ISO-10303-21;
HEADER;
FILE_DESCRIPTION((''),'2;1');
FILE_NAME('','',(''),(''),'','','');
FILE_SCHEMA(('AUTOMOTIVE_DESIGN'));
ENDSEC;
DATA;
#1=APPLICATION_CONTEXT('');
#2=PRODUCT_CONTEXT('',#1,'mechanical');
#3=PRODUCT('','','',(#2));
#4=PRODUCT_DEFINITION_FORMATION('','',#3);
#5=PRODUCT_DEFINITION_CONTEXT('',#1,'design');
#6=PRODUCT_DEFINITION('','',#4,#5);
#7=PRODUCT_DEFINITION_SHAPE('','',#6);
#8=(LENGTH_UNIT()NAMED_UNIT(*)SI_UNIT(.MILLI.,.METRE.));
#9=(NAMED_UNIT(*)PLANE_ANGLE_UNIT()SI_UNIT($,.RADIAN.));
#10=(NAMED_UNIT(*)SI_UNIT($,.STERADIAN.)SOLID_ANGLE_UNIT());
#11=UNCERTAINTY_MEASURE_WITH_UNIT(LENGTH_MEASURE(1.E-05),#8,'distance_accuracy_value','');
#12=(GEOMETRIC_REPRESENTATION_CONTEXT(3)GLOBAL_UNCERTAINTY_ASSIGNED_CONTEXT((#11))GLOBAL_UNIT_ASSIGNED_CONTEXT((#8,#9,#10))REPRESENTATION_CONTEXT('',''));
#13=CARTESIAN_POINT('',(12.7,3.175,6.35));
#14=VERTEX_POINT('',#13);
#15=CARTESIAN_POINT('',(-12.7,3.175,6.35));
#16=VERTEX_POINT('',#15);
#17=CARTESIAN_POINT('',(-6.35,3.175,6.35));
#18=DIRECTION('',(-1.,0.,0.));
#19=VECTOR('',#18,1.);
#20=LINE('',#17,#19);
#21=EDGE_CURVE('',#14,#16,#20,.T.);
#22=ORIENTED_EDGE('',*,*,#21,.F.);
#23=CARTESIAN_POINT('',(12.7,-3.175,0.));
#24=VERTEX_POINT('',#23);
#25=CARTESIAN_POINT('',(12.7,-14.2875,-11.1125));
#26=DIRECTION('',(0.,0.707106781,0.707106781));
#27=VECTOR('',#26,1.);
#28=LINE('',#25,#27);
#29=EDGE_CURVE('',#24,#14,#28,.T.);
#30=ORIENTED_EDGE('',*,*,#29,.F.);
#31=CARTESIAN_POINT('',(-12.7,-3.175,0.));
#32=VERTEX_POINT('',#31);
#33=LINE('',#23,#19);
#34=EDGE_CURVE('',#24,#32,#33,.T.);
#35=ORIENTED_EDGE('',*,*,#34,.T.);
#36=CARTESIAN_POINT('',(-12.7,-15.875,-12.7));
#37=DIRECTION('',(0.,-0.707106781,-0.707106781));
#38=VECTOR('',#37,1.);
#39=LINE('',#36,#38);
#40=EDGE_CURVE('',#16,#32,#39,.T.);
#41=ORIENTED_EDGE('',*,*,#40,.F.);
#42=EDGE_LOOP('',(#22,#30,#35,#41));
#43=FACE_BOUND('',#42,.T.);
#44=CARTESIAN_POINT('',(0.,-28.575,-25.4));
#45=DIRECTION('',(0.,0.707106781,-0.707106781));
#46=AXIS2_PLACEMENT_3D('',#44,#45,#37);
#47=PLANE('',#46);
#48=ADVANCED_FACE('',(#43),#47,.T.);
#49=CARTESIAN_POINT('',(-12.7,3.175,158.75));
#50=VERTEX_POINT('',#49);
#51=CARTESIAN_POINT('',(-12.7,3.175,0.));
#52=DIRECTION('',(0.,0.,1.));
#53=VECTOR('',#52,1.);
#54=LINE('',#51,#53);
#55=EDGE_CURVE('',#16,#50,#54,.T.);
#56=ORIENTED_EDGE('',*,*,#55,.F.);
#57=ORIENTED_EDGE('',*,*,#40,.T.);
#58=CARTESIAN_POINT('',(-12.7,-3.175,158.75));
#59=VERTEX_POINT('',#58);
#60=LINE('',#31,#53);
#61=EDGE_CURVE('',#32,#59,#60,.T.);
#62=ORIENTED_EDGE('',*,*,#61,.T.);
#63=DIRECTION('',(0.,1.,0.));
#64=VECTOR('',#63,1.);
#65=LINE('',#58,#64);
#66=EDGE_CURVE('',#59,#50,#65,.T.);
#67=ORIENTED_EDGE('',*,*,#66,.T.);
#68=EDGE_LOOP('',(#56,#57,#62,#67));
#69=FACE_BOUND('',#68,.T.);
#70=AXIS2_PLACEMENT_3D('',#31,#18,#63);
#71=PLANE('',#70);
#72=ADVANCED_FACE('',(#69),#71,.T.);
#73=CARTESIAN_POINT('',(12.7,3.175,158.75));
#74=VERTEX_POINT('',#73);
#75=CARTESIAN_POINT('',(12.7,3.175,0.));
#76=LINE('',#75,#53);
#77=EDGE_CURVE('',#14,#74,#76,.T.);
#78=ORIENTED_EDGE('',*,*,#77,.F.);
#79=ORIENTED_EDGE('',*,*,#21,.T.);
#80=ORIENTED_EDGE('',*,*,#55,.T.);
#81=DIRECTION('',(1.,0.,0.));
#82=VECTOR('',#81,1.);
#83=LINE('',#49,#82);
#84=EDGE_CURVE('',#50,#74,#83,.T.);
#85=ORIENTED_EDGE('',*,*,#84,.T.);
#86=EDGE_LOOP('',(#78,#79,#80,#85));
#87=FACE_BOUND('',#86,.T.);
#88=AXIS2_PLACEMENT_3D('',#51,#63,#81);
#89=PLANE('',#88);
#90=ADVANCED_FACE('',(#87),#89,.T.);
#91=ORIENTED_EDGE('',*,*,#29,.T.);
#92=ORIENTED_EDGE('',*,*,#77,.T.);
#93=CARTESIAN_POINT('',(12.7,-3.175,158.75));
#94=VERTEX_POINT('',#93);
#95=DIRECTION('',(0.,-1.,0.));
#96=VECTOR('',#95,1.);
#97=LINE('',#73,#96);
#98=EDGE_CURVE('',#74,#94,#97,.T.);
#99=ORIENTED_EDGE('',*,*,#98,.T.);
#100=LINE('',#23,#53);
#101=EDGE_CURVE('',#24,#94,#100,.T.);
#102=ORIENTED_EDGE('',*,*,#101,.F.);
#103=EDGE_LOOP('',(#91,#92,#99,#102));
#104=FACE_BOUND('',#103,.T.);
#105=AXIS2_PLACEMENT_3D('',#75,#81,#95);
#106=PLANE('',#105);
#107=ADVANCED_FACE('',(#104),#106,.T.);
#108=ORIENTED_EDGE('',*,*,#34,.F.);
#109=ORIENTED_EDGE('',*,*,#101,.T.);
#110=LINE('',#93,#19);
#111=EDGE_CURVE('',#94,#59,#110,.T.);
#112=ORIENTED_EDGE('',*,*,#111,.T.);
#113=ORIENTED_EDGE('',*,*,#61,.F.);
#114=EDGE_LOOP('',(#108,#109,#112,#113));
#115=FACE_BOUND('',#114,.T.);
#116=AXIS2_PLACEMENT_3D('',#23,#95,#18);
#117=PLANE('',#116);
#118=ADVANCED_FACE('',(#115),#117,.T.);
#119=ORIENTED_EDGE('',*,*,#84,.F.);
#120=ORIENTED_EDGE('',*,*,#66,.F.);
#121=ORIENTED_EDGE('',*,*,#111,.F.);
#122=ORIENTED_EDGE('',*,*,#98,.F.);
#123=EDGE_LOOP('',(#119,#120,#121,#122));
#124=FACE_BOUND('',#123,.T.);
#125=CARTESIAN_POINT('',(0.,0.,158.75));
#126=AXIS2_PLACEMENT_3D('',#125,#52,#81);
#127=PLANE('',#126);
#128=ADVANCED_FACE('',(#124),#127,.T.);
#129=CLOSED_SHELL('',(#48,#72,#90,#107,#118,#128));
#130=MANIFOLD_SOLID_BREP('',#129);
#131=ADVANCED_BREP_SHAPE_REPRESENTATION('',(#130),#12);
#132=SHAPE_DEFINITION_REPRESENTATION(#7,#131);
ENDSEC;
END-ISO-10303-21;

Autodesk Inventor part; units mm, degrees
ref_plane "Start plane" through (0, 0, 0) normal (0, 0, 1) x (1, 0, 0)
ref_plane "End plane" through (0, 0, 158.75) normal (0, 0, 1) x (1, 0, 0)
sketch "Sketch" plane through (0, 0, 0) normal (0, 0, 1) x (1, 0, 0)
  line L0 (12.7, -3.175) -> (-12.7, -3.175)
  line L1 (-12.7, -3.175) -> (-12.7, 3.175)
  line L2 (-12.7, 3.175) -> (12.7, 3.175)
  line L3 (12.7, 3.175) -> (12.7, -3.175)
  line L4 (-6, 0) -> (8, 0) construction
  line L5 (0, -30) -> (0, 40) construction
  line L6 (0, 54) -> (0, -44) construction
  line L7 (-17.78, 0) -> (17.78, 0) construction
  dimension "d0" = 6.35
  dimension "d1" = 25.4
  dimension "d4" = 12.7
  dimension "d5" = 3.175
extrude "Body" add sketch "Sketch" along normal up to surface (158.75 mm away) from surface at 0
sketch "Sketch3" plane through (0, 0, 0) normal (0, 0, 1) x (1, 0, 0)
  line L0 (0, 0) -> (10, 0)
ref_plane "Work Plane3" through (0, 0, 0) normal (0, -1, 0) x (1, 0, 0)
sketch "Sketch4" plane through (0, 0, 0) normal (0, -1, 0) x (1, 0, 0)
  line L0 (-2, 0) -> (12, 0)
  line L1 (-2, 158.75) -> (12, 158.75)
  dimension "d9" = 158.75
ref_plane "Work Plane4" through (0, -28.575, -25.4) normal (0, 0.7071, -0.7071) x (1, 0, 0)
split "Split1" plane through (0, -28.575, -25.4) removes the side toward (0, 0.7071, -0.7071)
equation "\"d0\" = G_W"
equation "\"d1\" = G_H"
equation "\"d4\" = 0.5 * d1"
equation "\"d5\" = 0.5 * d0"
equation "\"d2\" = G_L"
equation "\"G_W\" = 6.35"
equation "\"G_H\" = 25.4"
equation "\"G_L\" = d9"
equation "\"G_OFFSET_START\" = 0"
equation "\"G_OFFSET_END\" = 0"
equation "\"d7\" = G_OFFSET_END + B_L"
equation "\"B_L\" = 158.75"
properties part number "AISC - 1/4x1 - 6.25" material "Steel, Mild"
